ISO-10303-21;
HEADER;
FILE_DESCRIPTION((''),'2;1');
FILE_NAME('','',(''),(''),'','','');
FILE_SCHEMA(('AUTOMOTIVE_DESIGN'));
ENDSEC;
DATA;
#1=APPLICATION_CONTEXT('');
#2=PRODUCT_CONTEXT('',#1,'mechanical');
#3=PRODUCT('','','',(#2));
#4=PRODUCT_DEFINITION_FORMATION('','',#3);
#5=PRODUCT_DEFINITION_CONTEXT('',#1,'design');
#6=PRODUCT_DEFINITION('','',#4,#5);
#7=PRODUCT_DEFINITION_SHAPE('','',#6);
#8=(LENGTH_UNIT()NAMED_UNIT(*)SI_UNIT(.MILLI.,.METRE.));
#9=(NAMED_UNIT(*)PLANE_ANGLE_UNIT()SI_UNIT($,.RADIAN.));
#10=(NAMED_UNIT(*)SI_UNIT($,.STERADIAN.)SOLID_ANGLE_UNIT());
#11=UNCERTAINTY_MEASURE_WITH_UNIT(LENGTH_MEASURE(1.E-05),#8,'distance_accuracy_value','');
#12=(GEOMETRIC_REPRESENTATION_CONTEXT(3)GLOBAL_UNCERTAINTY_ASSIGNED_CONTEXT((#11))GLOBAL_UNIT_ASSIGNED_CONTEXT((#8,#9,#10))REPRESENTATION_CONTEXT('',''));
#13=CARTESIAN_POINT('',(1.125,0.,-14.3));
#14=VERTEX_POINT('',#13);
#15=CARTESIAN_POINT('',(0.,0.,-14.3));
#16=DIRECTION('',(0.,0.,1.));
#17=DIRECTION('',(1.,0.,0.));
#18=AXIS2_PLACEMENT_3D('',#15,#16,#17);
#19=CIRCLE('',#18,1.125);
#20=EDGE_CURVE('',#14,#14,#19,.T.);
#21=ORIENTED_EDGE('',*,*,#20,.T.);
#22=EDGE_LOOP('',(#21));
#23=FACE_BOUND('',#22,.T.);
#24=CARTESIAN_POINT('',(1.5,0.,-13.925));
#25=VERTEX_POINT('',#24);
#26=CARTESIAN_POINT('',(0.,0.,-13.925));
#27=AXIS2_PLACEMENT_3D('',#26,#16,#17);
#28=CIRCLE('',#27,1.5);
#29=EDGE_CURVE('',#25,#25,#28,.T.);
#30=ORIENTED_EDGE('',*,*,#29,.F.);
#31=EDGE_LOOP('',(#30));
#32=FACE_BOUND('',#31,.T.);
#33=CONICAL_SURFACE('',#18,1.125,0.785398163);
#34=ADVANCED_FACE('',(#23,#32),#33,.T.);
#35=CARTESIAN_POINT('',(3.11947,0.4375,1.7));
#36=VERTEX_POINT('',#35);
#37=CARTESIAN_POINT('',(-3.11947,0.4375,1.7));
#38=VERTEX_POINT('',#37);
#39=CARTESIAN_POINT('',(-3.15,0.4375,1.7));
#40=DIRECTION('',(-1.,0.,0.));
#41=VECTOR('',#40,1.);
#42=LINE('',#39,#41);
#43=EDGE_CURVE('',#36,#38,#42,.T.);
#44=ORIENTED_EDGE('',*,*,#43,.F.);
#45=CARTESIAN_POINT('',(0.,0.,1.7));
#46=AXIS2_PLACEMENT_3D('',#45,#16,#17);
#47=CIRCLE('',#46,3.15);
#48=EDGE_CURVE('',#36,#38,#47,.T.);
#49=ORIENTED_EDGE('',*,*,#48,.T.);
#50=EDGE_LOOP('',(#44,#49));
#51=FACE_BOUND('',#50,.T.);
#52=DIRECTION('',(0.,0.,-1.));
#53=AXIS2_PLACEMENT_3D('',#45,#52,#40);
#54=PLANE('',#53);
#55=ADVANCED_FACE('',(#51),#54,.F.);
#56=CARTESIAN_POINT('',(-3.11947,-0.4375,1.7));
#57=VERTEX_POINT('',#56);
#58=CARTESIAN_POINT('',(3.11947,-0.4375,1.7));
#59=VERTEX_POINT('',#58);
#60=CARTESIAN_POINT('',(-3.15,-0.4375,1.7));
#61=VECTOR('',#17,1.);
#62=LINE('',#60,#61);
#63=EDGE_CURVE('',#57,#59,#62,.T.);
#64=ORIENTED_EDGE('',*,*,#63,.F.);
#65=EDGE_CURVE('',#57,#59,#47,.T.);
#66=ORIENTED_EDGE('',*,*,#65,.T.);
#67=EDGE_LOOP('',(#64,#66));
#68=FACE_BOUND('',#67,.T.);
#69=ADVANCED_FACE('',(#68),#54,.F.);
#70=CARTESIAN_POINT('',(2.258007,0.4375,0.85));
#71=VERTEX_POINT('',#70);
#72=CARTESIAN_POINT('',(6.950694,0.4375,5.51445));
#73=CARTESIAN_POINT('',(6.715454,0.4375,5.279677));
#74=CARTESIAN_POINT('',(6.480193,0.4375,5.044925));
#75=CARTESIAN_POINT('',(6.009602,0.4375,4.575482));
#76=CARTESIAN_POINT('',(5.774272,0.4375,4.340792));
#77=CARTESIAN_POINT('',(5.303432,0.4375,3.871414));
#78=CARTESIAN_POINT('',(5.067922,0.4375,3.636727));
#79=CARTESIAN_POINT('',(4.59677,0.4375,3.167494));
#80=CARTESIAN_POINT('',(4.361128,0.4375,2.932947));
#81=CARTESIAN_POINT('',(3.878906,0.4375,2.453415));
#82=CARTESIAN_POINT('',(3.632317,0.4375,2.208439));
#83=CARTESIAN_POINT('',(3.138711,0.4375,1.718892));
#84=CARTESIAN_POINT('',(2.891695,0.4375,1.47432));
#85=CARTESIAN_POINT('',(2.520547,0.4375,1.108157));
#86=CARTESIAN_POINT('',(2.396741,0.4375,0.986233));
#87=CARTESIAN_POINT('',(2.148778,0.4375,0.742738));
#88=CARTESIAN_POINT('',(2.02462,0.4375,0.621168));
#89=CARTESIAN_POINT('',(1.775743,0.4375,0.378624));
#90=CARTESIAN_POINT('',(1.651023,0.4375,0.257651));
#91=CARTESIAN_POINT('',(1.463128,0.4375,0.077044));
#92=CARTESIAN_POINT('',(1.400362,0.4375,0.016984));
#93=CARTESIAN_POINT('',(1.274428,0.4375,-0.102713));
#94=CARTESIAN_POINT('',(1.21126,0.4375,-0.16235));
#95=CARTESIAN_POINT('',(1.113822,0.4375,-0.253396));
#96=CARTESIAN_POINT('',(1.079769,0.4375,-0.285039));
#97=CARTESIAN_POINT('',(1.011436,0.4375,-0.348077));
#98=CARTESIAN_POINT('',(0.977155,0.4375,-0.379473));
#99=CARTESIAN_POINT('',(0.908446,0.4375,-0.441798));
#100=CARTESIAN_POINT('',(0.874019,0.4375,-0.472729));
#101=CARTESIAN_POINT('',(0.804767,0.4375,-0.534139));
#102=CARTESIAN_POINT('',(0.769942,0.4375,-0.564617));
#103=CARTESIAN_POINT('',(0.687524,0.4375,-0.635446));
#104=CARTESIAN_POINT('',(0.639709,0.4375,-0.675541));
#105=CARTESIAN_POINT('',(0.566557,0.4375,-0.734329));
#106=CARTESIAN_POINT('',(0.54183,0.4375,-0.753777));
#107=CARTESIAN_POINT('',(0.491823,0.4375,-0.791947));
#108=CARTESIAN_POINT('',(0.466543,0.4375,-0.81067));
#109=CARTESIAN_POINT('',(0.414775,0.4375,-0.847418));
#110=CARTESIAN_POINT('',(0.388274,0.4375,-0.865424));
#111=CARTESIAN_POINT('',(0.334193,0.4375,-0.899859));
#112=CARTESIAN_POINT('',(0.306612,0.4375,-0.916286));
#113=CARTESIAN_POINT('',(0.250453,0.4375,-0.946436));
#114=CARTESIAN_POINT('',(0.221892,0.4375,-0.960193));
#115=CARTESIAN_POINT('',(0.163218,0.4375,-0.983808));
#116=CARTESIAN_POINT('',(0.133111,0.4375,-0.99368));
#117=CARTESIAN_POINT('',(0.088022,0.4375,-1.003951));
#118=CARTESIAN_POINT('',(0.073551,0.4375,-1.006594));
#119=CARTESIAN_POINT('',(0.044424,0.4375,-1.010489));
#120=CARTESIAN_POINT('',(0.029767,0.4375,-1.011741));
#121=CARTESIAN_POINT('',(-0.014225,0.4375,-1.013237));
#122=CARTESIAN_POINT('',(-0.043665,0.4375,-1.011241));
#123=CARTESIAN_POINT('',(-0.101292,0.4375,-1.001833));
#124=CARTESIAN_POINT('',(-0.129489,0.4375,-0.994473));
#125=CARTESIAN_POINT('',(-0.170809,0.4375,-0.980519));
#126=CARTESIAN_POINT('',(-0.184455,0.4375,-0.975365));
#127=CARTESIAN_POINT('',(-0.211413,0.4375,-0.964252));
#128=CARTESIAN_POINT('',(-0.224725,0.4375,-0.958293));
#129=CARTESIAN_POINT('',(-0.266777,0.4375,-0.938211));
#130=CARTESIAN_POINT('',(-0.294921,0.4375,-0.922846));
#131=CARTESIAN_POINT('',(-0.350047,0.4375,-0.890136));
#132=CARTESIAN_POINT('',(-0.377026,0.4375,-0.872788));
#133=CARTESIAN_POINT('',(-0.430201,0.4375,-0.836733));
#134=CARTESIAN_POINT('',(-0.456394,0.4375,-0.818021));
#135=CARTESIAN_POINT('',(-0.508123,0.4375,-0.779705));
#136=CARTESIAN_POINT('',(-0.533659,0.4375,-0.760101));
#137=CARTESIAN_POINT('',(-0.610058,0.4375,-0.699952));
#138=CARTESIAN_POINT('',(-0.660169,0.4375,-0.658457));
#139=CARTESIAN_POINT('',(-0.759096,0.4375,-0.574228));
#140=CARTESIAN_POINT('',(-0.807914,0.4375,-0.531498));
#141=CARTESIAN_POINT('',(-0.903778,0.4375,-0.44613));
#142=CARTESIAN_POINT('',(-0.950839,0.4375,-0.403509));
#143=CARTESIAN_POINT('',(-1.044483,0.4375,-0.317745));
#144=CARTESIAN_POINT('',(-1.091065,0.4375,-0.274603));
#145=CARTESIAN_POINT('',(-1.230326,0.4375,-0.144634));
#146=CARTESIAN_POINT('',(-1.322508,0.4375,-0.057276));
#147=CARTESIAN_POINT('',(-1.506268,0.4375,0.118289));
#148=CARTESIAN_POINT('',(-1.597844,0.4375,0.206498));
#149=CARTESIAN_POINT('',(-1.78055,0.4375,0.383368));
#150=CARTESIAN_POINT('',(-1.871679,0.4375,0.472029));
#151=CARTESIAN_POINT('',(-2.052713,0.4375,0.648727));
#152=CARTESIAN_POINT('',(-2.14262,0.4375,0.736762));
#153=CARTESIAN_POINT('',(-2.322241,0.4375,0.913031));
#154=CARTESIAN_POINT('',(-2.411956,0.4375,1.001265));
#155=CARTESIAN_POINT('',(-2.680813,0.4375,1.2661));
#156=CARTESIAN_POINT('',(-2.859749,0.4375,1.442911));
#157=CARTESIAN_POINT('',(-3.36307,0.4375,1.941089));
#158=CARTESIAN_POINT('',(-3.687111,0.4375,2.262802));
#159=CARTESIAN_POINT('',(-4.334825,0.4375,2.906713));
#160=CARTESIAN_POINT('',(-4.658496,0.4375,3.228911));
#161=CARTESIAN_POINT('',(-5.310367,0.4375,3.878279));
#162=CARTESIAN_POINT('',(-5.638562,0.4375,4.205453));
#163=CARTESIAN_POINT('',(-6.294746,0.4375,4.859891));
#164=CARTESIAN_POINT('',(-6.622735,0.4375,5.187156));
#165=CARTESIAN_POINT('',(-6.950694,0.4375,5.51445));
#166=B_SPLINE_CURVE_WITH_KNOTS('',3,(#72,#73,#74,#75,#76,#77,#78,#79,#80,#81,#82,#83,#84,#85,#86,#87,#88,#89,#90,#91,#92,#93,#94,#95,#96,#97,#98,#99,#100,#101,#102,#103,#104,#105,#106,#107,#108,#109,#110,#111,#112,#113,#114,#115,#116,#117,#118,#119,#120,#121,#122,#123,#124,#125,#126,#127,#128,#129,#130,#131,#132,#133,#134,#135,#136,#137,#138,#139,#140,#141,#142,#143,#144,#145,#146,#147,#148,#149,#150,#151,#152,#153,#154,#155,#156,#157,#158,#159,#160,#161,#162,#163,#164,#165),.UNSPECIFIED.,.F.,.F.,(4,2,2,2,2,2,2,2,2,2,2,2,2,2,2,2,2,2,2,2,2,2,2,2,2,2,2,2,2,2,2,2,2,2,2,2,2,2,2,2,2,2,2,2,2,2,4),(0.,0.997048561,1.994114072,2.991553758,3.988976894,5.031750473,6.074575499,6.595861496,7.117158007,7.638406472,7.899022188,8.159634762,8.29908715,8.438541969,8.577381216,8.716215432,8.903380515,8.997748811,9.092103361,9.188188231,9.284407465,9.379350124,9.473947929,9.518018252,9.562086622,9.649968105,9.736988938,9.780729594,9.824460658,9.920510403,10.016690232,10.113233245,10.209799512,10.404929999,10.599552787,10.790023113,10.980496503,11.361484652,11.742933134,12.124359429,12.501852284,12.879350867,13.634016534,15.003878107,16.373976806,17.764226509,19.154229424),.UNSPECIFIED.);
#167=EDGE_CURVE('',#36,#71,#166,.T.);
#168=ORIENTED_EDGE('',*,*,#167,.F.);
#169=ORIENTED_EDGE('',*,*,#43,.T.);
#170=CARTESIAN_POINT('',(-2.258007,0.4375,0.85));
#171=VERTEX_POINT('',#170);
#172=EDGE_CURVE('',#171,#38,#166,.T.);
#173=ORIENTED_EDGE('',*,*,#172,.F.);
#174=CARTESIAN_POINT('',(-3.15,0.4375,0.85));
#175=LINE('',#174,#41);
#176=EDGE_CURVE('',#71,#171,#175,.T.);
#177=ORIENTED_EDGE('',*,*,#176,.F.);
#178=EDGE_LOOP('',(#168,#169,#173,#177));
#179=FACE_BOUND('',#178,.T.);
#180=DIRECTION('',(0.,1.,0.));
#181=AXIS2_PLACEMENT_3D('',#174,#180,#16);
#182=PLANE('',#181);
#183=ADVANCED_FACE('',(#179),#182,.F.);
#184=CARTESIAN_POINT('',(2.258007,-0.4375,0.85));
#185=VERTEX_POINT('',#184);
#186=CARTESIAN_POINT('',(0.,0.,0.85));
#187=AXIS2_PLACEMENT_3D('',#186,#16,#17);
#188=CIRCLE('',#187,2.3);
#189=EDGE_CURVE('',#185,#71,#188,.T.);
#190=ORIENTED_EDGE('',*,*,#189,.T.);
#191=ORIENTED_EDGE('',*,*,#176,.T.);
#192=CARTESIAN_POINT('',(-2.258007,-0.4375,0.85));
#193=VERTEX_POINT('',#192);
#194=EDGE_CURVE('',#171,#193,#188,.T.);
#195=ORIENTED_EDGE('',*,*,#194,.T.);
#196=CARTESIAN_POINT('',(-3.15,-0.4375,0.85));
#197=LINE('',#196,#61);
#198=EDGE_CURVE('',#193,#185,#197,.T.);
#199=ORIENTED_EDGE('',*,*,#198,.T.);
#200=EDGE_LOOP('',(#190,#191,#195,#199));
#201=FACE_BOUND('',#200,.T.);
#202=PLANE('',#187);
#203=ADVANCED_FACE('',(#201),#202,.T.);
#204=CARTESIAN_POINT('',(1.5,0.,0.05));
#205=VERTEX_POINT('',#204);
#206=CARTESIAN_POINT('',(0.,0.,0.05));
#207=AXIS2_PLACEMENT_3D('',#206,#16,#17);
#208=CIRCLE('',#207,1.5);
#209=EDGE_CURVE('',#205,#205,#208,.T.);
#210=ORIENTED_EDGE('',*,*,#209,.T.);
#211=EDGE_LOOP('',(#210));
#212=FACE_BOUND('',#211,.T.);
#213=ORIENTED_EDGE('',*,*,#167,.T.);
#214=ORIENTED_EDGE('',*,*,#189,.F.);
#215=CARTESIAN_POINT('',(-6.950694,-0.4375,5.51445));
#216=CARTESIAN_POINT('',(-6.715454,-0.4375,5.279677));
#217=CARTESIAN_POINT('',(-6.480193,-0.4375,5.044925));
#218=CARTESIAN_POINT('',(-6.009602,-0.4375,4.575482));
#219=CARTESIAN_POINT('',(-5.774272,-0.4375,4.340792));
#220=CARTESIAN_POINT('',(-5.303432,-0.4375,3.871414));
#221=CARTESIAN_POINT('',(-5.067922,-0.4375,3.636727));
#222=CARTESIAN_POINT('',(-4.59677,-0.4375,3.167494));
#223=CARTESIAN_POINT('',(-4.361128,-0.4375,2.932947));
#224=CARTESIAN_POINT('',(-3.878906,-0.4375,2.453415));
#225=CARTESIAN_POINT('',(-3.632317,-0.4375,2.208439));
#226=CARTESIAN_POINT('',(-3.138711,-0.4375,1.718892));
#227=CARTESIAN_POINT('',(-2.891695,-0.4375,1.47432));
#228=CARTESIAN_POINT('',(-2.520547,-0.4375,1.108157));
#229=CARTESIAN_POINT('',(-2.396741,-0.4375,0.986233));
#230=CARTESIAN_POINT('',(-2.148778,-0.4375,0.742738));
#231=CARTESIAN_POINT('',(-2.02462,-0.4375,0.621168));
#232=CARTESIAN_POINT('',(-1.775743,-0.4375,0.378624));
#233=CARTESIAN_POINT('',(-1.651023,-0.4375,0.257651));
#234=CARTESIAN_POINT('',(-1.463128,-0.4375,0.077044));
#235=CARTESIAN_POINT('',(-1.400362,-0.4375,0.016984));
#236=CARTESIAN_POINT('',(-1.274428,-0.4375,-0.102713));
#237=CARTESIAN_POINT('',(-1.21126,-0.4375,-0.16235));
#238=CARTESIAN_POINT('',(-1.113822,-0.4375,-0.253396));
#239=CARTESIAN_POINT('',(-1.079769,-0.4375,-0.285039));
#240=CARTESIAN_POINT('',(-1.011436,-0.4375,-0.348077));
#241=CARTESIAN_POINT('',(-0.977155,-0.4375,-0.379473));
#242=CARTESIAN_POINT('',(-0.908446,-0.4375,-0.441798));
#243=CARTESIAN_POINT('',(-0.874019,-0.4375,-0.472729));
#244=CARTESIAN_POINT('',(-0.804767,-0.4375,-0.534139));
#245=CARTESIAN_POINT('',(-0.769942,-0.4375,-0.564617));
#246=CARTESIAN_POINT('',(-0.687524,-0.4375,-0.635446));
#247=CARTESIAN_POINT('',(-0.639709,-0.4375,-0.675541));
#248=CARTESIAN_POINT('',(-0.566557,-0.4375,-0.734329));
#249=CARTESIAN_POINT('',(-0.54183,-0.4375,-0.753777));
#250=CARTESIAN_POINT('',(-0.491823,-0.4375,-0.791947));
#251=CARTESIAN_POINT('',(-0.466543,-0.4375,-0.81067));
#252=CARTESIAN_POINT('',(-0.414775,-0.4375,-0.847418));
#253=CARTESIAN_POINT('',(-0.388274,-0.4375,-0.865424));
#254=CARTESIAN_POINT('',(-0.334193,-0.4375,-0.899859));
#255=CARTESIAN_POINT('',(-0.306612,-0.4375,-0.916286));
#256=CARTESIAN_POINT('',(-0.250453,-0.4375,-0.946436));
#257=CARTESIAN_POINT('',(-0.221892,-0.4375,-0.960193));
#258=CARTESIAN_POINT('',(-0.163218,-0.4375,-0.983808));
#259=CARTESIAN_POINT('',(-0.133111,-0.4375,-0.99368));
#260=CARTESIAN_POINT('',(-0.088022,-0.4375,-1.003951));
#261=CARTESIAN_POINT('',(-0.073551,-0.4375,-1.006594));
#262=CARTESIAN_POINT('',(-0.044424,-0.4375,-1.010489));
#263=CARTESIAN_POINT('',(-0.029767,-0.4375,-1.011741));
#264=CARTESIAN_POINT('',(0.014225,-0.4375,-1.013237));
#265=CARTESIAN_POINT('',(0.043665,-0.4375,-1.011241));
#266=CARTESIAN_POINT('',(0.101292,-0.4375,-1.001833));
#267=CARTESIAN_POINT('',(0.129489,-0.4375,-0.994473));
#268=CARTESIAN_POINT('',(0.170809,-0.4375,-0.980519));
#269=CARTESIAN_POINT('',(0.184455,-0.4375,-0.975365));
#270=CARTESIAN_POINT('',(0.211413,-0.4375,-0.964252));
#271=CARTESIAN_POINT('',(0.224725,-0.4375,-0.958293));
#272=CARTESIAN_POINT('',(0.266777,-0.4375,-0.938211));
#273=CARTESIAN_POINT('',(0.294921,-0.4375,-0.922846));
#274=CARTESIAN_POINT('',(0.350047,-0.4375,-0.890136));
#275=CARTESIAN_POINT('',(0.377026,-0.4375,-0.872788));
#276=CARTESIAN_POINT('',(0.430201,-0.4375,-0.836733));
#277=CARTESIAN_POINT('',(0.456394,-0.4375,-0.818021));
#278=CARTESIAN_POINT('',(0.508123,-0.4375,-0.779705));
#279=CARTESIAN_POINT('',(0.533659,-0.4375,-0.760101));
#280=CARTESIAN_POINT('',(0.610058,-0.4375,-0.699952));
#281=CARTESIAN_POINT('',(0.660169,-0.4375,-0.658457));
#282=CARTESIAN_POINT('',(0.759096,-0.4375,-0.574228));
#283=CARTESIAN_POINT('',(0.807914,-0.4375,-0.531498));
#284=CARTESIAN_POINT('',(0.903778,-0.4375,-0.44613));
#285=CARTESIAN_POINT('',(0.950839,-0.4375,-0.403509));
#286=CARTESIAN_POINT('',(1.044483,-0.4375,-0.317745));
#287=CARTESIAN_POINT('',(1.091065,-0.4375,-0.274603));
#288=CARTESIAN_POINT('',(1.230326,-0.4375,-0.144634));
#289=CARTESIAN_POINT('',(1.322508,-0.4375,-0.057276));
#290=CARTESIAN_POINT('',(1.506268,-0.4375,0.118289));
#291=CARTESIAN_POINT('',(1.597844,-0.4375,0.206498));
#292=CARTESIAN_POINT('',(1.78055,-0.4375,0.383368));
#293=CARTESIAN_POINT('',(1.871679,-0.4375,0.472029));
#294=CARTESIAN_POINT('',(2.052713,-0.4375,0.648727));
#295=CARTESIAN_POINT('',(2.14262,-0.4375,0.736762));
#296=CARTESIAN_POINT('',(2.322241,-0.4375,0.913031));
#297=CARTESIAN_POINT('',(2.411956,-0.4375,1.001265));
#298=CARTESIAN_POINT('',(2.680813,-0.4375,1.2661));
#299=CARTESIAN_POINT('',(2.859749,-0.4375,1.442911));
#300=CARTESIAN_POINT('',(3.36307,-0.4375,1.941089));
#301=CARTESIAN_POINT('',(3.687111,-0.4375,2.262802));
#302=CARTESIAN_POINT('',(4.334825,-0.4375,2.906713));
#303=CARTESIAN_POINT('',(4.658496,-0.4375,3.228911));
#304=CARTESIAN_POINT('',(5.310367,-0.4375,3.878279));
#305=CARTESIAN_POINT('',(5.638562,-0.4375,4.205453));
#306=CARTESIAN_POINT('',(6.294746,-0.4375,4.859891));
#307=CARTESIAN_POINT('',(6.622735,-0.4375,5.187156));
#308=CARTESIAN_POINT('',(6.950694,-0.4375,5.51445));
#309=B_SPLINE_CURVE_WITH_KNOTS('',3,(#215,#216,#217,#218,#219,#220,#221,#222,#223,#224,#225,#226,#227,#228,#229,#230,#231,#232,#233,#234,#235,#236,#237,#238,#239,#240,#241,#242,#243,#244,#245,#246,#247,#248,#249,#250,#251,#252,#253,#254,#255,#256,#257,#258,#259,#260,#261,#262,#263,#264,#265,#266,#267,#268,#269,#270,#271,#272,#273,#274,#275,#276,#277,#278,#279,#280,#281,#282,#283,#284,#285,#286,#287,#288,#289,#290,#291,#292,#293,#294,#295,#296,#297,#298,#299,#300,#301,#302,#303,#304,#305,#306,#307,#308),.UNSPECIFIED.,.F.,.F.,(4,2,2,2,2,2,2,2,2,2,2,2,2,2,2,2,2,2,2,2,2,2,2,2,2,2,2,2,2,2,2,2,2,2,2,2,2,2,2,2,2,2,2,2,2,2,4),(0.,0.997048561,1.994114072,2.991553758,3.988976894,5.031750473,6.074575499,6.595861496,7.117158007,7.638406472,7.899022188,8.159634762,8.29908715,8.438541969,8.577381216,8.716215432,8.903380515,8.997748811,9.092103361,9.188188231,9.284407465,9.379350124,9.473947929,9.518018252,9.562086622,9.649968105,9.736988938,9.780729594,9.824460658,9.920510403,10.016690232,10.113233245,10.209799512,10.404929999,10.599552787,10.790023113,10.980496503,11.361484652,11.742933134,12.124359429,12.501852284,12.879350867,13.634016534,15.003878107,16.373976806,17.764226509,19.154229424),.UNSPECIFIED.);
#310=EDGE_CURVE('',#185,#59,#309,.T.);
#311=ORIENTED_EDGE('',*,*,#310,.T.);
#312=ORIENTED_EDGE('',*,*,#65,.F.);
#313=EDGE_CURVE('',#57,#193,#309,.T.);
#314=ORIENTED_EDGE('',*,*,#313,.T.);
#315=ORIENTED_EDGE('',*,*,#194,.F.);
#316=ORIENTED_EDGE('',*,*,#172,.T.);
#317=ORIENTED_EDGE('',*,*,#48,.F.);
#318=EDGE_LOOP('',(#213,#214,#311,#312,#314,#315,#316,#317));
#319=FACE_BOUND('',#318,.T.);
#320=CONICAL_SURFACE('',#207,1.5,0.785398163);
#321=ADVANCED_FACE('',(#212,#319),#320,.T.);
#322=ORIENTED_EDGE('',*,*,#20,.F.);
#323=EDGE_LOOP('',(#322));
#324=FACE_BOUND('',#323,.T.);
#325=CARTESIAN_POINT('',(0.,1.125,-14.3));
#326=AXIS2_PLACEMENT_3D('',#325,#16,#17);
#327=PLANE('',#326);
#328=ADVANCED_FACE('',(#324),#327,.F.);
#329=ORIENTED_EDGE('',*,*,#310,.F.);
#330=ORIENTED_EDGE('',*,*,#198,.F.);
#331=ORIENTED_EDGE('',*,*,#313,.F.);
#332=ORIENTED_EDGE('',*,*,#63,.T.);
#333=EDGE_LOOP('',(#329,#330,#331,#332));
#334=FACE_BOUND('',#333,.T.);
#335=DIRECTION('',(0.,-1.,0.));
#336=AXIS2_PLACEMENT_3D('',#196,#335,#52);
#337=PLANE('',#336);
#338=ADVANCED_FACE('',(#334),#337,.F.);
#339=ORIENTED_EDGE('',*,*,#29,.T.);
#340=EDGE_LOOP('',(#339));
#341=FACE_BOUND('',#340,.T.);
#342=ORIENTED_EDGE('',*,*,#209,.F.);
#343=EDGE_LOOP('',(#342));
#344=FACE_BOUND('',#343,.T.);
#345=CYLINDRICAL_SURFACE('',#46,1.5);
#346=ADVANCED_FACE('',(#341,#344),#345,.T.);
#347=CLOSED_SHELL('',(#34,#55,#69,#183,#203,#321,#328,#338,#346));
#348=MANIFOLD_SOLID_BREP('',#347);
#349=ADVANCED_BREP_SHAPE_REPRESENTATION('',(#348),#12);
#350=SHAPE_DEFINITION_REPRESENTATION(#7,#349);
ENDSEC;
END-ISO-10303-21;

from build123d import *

# Parameters (mm, degrees)
SKETCH9_W          = 6.3
SKETCH9_H          = 0.875
CUT_EXTRUDE1_DEPTH = 0.85


with BuildPart() as part:
    # Sketch3 → Revolve1 (revolve)
    with BuildSketch(Plane(origin=(0, 0, 0), x_dir=(0, 0, -1), z_dir=(1, 0, 0)), mode=Mode.PRIVATE) as revolve1_sk:
        Polygon((-1.7, 3.15), (-0.05, 1.5), (13.925, 1.5), (14.3, 1.125), (14.3, 0), (-1.7, 0), align=None)
    revolve(revolve1_sk.sketch.rotate(Axis((0, 0, 1.7), (0, 0, -1)), 90), axis=Axis((0, 0, 1.7), (0, 0, -1)))

    # Sketch9 → Cut-Extrude1 (cut)
    with BuildSketch(Plane.XY.offset(1.7)):
        Rectangle(SKETCH9_W, SKETCH9_H)
    extrude(amount=-CUT_EXTRUDE1_DEPTH, mode=Mode.SUBTRACT)


solid = part.part
